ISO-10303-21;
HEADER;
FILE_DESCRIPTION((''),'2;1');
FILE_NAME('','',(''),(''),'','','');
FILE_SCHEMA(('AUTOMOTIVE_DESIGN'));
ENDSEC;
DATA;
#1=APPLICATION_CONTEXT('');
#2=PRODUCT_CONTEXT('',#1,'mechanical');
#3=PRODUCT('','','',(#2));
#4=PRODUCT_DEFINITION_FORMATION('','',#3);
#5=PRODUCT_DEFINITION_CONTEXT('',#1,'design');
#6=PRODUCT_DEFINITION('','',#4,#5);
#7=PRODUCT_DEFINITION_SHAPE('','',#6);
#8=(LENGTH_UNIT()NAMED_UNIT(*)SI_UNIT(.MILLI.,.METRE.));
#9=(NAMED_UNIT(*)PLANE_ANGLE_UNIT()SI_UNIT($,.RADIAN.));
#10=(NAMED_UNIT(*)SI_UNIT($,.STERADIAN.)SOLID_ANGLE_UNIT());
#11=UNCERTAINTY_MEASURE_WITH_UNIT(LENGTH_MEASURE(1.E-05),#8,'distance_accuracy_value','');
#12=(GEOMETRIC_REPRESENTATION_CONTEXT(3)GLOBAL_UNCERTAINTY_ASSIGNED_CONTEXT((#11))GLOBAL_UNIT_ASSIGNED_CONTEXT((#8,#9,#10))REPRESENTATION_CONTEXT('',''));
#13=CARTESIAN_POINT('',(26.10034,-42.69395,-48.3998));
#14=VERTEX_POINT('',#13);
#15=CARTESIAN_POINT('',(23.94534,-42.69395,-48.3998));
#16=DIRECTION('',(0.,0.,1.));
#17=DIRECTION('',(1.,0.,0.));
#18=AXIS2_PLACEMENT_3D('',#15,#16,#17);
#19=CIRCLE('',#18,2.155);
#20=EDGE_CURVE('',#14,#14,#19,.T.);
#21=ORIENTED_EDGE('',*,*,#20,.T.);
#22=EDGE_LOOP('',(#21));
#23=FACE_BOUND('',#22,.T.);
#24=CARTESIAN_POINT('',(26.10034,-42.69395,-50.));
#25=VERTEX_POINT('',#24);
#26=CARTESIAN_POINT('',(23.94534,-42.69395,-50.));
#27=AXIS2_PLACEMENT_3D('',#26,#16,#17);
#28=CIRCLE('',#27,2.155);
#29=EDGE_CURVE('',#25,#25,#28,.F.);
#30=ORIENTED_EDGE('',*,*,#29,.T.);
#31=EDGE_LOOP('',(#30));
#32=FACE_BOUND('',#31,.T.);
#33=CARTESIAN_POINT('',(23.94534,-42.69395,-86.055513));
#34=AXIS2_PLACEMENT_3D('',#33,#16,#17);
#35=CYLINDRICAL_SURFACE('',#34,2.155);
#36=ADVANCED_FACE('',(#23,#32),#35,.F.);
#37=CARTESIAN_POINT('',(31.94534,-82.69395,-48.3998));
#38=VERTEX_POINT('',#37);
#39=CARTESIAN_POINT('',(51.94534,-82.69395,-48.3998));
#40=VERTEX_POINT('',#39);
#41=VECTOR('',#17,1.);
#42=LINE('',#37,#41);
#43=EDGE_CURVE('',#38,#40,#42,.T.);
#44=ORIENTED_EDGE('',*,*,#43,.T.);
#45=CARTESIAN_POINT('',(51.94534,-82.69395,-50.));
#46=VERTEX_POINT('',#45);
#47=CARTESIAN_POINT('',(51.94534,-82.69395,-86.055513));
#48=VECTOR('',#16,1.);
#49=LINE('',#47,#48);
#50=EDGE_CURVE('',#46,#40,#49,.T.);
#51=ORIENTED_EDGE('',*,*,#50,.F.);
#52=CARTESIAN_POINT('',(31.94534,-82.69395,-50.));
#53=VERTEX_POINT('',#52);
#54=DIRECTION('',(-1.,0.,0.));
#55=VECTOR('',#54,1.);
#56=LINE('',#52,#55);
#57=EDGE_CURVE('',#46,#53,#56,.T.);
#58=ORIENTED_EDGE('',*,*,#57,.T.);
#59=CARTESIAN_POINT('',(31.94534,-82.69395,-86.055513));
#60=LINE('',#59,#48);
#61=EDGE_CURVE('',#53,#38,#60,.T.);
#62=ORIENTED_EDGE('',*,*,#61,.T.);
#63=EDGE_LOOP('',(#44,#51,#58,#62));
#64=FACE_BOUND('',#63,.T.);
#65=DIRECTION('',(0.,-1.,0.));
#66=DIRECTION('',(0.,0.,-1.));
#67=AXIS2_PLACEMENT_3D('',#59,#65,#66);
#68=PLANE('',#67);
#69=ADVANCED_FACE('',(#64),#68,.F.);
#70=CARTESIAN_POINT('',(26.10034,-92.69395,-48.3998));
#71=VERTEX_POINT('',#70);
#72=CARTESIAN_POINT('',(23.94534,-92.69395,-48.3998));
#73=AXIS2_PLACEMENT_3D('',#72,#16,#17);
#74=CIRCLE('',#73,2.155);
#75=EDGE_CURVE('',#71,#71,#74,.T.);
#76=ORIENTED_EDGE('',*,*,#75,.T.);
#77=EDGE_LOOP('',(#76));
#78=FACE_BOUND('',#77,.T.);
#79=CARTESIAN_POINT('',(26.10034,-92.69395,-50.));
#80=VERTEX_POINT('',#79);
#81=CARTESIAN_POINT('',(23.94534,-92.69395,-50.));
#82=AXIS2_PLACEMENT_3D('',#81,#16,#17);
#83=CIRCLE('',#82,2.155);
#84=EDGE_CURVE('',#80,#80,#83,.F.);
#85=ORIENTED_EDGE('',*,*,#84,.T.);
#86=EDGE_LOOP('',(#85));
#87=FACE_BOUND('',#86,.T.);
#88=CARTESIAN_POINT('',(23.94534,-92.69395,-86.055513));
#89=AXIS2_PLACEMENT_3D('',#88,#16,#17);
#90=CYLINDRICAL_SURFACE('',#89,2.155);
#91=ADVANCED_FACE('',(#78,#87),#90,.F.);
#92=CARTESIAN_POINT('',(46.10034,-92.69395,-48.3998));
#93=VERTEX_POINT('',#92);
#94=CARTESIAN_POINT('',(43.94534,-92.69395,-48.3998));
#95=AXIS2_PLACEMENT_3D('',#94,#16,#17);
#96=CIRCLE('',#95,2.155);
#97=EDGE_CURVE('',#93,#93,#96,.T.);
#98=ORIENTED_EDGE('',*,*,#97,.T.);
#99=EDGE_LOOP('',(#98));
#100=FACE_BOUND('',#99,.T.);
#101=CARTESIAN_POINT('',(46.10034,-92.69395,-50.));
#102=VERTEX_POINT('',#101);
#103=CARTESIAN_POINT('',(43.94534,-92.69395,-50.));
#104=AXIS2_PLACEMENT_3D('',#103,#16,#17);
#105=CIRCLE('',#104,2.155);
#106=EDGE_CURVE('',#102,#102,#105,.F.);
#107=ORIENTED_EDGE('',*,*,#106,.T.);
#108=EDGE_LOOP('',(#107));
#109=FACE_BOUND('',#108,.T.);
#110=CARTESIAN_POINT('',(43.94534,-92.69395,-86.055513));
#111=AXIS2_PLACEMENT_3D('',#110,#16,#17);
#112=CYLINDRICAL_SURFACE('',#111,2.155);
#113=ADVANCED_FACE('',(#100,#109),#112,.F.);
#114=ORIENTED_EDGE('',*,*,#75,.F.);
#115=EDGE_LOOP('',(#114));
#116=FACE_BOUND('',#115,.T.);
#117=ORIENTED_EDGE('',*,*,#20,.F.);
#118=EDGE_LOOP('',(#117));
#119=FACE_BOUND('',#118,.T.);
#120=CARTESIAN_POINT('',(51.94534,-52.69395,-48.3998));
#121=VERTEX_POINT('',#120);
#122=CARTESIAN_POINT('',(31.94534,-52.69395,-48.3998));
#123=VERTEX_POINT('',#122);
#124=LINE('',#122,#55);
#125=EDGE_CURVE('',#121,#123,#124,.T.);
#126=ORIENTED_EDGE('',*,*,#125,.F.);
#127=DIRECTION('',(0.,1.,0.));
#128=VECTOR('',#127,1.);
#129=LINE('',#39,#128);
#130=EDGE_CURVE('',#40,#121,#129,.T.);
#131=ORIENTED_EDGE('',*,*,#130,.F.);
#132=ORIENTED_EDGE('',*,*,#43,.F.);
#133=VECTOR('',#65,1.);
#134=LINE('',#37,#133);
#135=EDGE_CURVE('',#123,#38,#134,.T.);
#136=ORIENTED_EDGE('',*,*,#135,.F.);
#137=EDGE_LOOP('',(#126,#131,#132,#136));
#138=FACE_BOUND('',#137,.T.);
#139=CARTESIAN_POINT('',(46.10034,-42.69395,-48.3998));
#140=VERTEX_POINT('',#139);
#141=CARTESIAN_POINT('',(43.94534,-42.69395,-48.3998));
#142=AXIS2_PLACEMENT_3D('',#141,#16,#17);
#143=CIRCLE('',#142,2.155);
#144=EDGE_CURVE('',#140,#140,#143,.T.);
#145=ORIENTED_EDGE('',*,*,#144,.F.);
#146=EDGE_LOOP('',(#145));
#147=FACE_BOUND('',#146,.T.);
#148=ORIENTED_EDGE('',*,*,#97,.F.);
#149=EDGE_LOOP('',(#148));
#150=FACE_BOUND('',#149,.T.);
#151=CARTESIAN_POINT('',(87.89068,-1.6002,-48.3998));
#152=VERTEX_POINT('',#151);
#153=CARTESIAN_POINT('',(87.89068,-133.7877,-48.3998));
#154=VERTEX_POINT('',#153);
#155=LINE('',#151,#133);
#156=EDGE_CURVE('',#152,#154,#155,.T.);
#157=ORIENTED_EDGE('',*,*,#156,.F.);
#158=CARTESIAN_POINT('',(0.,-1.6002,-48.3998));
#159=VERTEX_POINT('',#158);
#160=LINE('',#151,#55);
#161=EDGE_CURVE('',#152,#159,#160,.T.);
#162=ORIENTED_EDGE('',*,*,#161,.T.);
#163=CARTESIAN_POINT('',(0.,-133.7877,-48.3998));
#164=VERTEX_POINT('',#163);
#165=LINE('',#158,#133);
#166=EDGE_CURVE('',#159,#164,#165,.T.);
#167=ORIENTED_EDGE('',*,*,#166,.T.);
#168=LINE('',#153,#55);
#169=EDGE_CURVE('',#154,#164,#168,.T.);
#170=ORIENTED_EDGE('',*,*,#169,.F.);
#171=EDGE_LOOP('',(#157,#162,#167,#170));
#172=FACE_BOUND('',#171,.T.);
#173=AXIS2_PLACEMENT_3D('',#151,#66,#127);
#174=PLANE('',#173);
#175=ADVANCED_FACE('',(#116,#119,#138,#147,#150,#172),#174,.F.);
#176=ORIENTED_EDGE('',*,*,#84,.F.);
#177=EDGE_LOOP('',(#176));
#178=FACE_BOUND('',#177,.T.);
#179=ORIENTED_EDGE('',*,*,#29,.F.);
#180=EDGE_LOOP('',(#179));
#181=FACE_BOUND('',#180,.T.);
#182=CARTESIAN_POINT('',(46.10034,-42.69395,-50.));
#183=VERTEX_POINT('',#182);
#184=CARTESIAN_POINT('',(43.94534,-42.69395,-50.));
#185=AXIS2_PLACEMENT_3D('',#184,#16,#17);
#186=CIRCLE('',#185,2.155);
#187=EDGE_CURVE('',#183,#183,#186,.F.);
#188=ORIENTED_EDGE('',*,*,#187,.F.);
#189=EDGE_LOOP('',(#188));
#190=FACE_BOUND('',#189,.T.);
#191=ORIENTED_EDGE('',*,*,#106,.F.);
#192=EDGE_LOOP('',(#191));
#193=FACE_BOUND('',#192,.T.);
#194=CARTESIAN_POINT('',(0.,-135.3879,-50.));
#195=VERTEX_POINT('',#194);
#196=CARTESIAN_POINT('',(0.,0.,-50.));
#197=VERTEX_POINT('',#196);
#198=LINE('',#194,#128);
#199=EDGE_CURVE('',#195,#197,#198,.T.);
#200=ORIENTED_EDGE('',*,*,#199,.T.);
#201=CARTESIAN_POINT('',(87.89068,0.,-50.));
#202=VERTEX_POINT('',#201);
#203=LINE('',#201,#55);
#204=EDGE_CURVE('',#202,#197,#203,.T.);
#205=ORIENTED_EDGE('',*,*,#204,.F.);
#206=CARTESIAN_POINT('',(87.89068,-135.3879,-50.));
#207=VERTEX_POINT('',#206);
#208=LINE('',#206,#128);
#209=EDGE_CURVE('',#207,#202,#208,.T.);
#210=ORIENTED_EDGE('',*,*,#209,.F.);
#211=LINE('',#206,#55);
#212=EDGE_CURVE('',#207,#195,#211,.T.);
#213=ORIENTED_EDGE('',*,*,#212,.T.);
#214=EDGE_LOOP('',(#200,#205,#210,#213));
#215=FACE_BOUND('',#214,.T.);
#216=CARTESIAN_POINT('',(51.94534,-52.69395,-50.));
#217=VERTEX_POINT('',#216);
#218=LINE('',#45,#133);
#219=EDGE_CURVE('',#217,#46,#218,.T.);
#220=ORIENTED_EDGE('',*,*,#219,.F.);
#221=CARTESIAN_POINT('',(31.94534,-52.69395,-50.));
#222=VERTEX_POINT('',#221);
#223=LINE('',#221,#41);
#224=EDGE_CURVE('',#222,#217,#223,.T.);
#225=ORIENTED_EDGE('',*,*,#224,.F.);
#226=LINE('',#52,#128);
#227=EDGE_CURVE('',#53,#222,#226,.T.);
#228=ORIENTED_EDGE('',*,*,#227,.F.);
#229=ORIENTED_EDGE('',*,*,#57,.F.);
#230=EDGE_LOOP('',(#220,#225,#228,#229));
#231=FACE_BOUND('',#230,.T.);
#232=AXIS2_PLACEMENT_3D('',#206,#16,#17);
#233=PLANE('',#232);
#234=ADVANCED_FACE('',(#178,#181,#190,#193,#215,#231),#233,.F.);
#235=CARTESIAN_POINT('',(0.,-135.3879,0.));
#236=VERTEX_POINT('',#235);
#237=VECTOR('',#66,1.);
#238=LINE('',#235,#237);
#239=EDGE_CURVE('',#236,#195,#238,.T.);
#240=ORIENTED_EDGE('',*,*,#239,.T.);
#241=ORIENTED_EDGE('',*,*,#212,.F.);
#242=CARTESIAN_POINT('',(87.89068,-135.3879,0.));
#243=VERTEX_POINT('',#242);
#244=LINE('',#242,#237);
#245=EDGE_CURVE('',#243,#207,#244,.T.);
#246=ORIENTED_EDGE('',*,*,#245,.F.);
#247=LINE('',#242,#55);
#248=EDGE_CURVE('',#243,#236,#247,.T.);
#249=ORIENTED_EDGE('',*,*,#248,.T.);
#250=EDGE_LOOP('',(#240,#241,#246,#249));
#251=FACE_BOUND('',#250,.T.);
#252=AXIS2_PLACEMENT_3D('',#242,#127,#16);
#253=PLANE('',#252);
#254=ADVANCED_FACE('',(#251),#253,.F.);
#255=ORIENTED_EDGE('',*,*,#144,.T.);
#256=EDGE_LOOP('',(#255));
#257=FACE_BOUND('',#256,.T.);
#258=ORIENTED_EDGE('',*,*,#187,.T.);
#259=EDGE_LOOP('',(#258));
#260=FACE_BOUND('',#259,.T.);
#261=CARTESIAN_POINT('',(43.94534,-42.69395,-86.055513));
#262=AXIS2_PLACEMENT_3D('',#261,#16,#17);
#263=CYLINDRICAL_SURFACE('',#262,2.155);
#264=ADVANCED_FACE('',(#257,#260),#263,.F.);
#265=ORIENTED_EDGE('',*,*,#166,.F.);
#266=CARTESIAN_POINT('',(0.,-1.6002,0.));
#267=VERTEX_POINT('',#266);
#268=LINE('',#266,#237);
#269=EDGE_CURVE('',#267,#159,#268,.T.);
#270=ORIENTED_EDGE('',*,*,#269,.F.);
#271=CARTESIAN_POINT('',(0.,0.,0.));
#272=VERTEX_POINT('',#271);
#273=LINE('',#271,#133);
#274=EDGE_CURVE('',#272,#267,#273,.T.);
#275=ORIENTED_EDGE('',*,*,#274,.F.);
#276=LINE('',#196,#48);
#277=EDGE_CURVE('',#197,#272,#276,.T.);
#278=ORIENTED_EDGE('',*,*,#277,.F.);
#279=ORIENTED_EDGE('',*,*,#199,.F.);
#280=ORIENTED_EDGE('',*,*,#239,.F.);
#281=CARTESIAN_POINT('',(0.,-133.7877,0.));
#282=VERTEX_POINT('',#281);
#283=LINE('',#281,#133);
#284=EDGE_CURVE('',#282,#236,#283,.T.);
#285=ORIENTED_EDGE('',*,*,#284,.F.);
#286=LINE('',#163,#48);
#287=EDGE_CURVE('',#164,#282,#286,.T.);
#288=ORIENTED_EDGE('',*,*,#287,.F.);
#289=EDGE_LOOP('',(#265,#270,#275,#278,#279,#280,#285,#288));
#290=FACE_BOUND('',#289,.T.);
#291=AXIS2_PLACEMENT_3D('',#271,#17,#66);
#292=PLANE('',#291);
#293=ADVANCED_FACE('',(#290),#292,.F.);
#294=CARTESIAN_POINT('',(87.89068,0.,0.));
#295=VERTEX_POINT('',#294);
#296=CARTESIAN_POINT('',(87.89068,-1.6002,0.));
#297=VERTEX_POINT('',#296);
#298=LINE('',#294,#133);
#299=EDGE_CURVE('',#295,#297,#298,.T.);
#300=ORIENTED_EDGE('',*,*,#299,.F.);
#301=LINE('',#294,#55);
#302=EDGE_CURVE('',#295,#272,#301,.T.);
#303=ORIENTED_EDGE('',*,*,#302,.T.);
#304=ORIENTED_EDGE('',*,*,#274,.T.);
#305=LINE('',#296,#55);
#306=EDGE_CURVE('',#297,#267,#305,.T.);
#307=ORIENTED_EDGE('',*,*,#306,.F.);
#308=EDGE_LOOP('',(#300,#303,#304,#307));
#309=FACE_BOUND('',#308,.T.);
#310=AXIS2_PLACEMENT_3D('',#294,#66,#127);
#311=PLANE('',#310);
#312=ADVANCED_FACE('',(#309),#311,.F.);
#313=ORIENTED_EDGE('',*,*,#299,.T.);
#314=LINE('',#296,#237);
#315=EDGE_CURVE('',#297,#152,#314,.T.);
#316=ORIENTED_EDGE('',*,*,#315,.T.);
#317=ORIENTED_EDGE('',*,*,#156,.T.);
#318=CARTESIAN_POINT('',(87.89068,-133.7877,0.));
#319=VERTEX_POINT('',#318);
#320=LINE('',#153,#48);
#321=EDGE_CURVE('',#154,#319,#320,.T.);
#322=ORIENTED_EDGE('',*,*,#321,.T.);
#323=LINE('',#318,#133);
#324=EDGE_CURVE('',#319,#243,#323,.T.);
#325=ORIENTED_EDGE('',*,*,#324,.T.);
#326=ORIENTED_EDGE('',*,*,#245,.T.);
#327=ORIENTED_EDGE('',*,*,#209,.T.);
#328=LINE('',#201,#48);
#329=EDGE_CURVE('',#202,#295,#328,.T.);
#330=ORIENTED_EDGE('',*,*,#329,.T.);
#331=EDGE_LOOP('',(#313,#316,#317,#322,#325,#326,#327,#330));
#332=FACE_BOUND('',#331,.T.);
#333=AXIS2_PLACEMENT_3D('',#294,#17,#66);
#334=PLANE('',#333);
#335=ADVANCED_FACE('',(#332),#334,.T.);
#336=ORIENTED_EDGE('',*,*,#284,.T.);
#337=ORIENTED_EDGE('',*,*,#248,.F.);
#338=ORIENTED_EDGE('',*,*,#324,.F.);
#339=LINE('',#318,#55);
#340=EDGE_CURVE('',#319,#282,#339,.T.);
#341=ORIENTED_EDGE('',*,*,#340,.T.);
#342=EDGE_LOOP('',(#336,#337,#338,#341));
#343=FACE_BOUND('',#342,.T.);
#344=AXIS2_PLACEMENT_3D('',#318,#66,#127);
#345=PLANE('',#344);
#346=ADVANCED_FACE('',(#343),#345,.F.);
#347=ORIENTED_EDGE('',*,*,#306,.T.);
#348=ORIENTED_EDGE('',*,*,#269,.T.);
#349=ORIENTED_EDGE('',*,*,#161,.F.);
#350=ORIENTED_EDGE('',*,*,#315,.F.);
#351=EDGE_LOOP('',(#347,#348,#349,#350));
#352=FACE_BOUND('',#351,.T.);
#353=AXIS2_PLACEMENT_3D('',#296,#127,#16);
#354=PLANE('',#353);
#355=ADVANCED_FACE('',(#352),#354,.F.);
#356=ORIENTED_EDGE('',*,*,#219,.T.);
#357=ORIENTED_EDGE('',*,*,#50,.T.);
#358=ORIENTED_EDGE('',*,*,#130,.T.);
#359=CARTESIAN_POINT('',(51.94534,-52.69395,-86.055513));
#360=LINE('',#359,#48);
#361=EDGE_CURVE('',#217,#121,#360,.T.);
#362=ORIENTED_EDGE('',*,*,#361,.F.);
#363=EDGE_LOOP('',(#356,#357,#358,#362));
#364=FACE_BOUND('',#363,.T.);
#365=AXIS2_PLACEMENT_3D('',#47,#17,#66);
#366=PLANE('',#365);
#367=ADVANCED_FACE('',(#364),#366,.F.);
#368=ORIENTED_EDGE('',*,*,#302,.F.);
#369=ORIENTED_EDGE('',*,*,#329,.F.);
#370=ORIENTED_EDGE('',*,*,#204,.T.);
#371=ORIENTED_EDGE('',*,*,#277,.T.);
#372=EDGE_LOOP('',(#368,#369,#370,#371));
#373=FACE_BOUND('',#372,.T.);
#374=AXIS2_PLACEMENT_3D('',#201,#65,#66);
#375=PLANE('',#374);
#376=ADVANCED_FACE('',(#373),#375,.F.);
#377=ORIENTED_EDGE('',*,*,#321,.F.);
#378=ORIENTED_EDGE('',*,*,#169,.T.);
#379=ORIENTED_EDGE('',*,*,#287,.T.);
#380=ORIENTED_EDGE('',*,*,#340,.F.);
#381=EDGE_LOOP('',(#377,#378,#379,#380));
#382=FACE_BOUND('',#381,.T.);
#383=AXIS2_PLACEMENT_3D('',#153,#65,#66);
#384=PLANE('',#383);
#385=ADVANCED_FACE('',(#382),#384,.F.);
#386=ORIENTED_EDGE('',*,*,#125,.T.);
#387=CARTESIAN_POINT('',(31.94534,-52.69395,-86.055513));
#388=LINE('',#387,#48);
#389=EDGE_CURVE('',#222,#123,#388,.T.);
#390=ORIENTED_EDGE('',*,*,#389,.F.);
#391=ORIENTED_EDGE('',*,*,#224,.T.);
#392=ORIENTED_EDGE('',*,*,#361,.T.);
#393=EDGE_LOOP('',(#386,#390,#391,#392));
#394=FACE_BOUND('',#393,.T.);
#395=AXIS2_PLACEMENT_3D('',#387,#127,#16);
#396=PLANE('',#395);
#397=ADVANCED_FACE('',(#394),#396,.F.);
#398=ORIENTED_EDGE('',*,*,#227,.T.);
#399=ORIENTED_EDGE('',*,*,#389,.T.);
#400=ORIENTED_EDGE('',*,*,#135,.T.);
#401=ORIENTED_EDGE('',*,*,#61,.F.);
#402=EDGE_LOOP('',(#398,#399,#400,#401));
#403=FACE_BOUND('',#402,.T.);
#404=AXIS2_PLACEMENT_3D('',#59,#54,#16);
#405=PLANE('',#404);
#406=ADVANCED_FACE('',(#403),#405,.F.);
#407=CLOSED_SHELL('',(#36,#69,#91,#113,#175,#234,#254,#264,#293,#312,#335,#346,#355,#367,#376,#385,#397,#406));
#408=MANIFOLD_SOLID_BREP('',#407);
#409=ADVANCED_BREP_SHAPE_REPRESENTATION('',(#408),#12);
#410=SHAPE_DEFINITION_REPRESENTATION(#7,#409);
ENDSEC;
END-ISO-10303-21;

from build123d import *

# Parameters (mm, degrees)
BOSS_EXTRUDE1_DEPTH = 87.89068
SKETCH2_R           = 2.155
SKETCH2_W           = 20
SKETCH2_H           = 30
CUT_EXTRUDE1_DEPTH  = 1.6002


with BuildPart() as part:
    # Sketch1 → Boss-Extrude1 (new body)
    with BuildSketch(Plane(origin=(0, 0, 0), x_dir=(0, 0, -1), z_dir=(1, 0, 0))):
        Polygon((0, 0), (0, -1.6002), (48.3998, -1.6002), (48.3998, -133.7877), (0, -133.7877), (0, -135.3879), (50, -135.3879), (50, 0), align=None)
    extrude(amount=BOSS_EXTRUDE1_DEPTH)

    # Sketch2 → Cut-Extrude1 (cut)
    with BuildSketch(Plane.XY.offset(-48.3998)):
        with Locations((23.94534, -92.69395)):
            Circle(SKETCH2_R)
        with Locations((23.94534, -42.69395)):
            Circle(SKETCH2_R)
        with Locations((43.94534, -92.69395)):
            Circle(SKETCH2_R)
        with Locations((43.94534, -42.69395)):
            Circle(SKETCH2_R)
        with Locations((41.94534, -67.69395)):
            Rectangle(SKETCH2_W, SKETCH2_H)
    extrude(amount=-CUT_EXTRUDE1_DEPTH, mode=Mode.SUBTRACT)


solid = part.part
